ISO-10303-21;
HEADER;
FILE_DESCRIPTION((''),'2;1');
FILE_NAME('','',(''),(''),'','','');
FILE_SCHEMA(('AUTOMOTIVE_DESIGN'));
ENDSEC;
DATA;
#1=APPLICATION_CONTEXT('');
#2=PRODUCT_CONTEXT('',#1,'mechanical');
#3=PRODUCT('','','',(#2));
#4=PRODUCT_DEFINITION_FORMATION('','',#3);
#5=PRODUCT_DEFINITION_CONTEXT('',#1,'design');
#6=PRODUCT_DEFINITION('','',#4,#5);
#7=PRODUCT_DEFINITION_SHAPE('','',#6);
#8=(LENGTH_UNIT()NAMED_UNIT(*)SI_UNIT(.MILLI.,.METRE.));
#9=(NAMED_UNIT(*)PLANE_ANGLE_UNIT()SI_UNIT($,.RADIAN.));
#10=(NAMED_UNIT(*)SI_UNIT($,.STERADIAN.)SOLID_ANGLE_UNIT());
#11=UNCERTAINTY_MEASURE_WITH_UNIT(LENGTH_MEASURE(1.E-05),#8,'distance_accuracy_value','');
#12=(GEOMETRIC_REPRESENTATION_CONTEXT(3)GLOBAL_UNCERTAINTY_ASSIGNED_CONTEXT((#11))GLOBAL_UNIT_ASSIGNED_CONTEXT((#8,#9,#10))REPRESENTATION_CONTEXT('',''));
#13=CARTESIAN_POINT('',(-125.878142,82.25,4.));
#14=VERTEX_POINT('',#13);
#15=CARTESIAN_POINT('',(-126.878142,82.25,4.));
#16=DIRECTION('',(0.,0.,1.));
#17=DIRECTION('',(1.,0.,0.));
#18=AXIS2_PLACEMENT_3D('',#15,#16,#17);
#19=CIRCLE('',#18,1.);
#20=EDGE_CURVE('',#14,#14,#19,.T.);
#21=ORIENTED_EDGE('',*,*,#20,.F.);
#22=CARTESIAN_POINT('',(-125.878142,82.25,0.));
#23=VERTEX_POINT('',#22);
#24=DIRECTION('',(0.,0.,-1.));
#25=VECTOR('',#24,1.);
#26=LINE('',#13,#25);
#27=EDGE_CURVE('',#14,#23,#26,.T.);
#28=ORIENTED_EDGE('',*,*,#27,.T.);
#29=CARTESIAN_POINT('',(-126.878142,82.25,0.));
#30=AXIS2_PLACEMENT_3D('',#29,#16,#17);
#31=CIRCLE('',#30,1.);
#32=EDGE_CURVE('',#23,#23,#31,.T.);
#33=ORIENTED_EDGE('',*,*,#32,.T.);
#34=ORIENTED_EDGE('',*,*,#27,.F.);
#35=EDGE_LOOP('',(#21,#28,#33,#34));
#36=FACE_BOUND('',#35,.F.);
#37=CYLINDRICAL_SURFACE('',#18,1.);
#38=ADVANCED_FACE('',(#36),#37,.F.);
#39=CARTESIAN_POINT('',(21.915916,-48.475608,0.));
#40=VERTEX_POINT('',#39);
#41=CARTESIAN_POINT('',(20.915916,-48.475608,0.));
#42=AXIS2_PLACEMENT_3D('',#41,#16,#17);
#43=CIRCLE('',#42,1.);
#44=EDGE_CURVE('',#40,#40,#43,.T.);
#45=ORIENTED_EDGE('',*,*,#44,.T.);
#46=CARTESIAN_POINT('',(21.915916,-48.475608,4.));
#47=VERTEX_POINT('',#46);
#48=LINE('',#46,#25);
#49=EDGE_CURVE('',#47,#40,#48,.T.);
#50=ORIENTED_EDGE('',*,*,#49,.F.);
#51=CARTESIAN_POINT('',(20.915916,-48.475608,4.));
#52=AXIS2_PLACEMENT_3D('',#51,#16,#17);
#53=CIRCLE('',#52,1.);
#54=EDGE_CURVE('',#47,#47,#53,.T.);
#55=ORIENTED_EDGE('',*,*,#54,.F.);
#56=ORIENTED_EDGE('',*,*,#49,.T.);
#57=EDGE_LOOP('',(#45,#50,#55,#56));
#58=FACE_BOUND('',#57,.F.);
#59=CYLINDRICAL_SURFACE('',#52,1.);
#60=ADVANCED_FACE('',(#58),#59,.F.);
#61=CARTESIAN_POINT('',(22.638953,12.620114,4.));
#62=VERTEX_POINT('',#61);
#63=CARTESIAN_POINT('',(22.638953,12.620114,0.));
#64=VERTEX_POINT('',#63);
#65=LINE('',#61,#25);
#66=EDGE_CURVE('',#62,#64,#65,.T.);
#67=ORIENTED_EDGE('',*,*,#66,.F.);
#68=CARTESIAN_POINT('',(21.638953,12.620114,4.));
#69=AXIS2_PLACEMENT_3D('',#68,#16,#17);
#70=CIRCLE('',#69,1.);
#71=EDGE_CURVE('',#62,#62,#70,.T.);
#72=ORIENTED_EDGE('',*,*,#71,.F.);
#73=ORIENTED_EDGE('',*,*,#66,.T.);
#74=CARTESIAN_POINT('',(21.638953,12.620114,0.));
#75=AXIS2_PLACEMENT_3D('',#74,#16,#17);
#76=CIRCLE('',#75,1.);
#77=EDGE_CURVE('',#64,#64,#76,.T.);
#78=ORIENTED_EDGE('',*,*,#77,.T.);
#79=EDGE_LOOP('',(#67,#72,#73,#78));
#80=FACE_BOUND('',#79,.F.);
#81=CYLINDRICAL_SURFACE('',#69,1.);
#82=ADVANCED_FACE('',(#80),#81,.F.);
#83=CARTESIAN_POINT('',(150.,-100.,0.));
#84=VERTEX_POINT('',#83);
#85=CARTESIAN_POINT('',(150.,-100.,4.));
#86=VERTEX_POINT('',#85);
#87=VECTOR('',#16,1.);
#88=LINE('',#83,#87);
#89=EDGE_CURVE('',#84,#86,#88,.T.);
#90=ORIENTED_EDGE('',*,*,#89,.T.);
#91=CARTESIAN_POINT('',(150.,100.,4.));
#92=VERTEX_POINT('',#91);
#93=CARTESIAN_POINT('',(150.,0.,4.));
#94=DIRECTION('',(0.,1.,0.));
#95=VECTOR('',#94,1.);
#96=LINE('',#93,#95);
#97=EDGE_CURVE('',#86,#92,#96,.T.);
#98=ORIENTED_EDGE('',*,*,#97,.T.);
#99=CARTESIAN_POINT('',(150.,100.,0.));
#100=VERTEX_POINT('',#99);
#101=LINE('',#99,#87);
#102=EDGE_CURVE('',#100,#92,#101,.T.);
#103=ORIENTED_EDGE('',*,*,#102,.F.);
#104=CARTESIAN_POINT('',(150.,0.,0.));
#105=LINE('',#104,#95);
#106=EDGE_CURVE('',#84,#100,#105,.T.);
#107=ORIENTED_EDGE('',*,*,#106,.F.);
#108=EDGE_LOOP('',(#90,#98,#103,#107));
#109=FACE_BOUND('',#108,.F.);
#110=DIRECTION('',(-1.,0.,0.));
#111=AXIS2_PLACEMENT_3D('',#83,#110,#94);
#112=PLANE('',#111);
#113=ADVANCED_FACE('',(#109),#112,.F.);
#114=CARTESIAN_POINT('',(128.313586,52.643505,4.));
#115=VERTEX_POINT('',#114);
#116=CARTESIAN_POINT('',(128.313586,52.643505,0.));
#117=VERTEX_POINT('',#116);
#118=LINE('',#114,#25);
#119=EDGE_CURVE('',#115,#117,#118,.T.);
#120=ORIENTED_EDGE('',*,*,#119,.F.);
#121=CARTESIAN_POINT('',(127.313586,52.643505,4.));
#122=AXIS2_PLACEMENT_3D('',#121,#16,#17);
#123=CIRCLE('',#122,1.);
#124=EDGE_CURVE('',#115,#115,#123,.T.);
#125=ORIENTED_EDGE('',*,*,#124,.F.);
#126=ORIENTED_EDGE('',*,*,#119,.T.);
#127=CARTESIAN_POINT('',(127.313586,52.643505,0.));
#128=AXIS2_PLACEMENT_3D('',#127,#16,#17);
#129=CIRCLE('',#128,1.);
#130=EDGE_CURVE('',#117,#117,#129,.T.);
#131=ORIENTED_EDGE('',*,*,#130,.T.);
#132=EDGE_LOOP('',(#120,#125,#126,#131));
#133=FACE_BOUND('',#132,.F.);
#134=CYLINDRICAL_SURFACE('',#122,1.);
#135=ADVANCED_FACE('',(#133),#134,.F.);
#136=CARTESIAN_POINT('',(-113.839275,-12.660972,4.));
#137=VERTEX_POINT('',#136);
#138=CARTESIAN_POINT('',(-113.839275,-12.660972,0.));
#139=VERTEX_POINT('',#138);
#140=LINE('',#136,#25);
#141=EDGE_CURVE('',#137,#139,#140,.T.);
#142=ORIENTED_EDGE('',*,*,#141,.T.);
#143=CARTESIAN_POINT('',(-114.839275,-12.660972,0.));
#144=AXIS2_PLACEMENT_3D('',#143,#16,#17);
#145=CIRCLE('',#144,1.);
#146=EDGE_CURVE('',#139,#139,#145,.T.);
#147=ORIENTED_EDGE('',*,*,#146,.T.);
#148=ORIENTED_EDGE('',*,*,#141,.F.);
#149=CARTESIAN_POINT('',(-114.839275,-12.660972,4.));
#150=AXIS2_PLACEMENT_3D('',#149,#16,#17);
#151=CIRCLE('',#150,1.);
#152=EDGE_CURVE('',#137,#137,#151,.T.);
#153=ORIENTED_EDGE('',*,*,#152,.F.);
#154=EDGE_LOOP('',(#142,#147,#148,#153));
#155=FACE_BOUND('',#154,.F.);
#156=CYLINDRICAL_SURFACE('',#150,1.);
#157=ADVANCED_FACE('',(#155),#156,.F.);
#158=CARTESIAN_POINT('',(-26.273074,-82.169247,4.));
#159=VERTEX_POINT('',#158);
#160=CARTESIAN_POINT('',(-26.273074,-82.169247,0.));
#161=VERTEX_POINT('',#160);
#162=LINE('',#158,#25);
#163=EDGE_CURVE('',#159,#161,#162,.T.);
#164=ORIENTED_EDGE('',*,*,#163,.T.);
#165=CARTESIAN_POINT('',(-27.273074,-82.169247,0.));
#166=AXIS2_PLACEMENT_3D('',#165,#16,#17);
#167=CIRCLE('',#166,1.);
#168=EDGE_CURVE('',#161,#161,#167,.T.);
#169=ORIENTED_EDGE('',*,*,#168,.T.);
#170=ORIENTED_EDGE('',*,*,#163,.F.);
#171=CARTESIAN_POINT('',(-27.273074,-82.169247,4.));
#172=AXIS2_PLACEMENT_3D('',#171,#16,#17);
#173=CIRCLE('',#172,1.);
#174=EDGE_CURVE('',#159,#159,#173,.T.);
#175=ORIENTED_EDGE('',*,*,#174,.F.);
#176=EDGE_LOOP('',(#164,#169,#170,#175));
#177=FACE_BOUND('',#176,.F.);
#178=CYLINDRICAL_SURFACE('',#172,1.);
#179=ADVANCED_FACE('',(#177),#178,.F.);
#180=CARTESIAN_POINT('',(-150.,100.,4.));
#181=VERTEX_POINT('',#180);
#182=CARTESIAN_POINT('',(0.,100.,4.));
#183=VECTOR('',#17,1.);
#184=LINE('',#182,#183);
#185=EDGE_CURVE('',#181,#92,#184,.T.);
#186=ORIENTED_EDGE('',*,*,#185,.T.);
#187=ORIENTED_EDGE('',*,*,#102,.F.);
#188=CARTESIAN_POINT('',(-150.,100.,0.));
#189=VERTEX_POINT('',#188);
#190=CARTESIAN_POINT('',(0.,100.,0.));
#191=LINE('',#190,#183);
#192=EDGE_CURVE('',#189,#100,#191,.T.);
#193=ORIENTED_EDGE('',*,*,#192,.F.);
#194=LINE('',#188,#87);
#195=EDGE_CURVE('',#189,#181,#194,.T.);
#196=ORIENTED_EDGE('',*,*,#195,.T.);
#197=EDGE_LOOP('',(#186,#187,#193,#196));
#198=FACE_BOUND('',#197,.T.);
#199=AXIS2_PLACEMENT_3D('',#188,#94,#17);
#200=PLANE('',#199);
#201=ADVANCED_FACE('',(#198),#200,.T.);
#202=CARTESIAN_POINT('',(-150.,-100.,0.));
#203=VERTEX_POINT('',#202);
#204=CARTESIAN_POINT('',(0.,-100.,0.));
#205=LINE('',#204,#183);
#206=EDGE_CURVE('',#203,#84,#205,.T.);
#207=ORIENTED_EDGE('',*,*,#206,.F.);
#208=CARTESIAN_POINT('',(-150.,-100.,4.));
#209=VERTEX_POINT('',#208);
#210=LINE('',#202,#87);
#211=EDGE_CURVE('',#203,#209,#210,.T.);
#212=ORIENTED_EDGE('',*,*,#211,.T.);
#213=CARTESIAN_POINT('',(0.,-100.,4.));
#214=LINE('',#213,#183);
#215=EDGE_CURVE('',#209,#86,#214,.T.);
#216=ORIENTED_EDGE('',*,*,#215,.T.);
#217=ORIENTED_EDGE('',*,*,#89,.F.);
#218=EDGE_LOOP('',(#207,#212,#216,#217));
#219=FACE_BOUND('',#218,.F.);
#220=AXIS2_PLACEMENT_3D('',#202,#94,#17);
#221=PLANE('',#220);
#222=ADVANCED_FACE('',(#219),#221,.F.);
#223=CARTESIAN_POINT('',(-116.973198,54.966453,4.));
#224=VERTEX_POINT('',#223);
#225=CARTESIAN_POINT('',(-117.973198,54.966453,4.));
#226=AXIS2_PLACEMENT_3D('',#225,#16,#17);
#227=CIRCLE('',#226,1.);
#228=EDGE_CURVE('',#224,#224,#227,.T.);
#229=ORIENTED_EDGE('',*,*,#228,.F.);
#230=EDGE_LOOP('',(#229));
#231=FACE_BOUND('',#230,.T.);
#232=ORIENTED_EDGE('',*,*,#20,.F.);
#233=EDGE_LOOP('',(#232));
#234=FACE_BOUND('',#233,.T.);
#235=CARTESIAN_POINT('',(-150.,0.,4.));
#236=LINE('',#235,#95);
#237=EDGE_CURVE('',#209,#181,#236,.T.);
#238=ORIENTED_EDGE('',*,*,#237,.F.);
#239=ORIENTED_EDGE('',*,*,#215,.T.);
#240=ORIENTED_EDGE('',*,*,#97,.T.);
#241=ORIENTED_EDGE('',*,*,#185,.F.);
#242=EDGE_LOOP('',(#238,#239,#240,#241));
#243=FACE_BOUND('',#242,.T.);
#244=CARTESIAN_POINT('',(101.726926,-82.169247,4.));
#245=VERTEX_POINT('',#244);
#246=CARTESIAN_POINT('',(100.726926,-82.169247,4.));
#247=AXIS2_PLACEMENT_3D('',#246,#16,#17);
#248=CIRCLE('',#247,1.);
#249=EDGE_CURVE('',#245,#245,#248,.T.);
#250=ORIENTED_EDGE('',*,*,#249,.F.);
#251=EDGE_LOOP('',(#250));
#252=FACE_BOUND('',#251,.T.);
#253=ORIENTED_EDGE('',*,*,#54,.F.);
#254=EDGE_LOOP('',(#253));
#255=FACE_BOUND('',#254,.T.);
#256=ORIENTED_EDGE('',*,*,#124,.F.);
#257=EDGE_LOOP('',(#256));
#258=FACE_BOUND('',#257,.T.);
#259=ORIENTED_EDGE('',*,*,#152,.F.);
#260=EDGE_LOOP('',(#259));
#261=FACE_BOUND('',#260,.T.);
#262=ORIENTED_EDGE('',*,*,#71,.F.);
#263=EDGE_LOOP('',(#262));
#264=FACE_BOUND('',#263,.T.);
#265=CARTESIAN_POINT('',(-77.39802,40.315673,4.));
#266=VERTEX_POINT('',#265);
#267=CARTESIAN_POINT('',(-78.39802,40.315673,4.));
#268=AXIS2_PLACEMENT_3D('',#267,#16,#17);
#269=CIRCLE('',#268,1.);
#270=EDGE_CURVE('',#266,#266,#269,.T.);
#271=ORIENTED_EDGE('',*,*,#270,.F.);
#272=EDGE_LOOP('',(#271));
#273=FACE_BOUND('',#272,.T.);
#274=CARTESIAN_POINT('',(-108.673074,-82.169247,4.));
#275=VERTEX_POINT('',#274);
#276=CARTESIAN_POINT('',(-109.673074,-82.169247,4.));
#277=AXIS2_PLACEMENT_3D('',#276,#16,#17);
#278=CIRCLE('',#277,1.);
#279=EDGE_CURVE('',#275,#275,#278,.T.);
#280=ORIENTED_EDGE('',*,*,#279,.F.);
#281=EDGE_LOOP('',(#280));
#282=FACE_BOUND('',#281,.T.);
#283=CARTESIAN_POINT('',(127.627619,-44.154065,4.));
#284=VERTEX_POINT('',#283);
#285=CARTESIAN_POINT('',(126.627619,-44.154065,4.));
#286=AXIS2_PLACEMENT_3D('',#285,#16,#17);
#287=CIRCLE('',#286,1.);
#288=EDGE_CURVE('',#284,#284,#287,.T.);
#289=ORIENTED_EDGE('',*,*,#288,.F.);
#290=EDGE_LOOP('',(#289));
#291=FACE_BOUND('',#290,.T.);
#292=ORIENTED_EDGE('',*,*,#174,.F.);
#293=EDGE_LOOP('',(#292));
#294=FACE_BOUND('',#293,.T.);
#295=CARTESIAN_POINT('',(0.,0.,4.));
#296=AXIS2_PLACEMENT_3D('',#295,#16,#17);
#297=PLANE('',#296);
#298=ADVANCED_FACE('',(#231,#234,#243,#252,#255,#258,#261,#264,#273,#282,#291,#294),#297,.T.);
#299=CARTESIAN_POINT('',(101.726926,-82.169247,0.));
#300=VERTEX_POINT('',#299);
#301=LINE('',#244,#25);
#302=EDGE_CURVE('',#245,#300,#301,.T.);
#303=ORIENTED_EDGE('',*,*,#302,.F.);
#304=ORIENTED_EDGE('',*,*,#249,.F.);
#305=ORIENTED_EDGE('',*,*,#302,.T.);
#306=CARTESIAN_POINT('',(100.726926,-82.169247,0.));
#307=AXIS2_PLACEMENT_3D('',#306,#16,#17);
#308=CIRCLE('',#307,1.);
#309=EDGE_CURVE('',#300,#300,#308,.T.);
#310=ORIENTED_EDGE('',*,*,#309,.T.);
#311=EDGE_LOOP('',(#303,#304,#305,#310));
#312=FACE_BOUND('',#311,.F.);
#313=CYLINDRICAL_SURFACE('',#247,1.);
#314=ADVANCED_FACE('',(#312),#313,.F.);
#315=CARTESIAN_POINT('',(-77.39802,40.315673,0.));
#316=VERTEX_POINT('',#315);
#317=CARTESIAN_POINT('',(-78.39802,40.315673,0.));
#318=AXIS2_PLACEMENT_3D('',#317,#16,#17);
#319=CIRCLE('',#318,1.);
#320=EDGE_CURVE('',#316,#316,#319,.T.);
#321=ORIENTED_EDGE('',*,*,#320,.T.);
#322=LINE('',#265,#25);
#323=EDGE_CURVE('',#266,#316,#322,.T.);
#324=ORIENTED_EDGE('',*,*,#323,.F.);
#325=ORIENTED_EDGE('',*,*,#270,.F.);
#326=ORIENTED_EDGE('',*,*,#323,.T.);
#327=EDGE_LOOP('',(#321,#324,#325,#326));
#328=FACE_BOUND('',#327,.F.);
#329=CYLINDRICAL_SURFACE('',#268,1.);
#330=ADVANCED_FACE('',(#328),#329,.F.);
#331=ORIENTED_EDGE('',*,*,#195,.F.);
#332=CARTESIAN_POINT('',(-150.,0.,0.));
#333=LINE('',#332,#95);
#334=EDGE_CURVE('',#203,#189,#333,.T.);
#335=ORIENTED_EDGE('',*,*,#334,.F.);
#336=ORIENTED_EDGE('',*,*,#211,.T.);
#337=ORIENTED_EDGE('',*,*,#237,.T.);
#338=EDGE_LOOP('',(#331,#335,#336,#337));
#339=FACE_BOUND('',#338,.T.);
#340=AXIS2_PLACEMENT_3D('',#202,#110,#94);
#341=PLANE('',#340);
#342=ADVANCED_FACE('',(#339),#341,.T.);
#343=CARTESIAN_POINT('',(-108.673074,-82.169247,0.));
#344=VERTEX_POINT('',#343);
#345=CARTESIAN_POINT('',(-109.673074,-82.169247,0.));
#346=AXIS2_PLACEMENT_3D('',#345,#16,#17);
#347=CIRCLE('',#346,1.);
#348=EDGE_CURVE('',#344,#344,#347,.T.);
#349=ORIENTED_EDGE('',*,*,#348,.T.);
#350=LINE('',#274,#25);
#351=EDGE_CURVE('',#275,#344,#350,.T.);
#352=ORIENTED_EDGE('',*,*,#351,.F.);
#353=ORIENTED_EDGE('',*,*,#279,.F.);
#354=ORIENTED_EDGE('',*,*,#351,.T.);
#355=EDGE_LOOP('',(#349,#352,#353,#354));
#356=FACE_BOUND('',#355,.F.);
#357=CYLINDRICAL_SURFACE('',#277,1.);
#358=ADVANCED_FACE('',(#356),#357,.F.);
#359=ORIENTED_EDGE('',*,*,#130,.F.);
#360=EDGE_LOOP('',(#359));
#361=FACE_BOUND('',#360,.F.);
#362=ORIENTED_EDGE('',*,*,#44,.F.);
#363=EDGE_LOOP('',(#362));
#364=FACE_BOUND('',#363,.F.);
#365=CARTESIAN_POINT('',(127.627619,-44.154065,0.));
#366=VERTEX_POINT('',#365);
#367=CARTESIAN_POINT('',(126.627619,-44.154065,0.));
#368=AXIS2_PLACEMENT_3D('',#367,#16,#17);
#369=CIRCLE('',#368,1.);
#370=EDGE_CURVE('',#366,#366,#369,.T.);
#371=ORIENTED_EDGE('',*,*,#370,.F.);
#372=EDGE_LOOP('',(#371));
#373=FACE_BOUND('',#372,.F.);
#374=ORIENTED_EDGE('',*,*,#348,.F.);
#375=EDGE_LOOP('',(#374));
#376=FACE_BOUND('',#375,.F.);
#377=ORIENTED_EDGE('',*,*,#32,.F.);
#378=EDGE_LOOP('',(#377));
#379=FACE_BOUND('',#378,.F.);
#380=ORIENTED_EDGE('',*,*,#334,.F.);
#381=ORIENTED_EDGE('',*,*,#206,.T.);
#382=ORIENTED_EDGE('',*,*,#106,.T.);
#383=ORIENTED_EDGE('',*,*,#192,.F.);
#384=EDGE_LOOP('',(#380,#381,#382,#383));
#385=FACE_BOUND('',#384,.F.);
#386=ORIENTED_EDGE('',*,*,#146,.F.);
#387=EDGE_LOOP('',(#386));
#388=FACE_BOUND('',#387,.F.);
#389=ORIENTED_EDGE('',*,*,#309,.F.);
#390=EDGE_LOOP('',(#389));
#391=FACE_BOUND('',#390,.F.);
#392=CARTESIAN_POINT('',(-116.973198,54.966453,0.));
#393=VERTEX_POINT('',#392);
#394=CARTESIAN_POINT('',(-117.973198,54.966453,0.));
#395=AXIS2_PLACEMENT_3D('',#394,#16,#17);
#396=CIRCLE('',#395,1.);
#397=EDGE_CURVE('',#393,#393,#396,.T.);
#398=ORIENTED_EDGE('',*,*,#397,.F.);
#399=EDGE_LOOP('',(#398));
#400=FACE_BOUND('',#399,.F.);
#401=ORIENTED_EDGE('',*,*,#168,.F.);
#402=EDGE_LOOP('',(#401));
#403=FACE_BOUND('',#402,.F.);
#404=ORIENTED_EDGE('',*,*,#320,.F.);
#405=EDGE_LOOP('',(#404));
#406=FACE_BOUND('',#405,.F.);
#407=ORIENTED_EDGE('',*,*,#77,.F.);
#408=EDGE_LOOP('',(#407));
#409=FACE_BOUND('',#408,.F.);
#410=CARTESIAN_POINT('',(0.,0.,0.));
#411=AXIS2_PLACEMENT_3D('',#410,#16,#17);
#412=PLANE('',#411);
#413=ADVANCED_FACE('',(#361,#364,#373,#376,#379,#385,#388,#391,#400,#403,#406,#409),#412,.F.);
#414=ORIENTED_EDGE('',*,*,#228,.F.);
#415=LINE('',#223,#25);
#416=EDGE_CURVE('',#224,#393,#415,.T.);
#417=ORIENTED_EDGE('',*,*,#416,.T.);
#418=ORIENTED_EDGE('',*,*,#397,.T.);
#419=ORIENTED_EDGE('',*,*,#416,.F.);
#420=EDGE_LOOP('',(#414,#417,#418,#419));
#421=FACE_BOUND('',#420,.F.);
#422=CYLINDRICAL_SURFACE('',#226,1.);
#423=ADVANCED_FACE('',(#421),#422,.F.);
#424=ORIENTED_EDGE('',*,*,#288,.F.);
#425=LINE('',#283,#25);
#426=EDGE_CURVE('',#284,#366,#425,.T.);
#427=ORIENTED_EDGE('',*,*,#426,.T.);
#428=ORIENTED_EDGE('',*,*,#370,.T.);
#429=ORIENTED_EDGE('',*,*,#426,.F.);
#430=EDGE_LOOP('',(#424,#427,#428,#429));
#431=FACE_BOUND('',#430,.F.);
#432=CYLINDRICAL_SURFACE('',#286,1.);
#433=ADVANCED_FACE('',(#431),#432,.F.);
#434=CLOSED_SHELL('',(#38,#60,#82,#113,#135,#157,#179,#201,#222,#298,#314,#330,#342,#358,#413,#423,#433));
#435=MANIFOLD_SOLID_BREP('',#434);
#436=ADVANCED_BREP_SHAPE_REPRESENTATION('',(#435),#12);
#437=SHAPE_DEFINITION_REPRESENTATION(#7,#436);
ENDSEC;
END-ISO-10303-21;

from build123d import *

# Parameters (mm, degrees)
F0_W     = 300
F0_H     = 200
F1_DEPTH = 4
F2_R     = 1
F3_DEPTH = 4.001


with BuildPart() as f1:
    # F0 (on Top) → F1 (new body)
    with BuildSketch(Plane.XY):
        Rectangle(F0_W, F0_H)
    extrude(amount=F1_DEPTH)

    # F2 (on face) → F3 (cut, through all)
    with BuildSketch(Plane.XY.offset(4)):
        with Locations((-114.839275, -12.660972)):
            Circle(F2_R)
        with Locations((-109.673074, -82.169247)):
            Circle(F2_R)
        with Locations((100.726926, -82.169247)):
            Circle(F2_R)
        with Locations((-117.973198, 54.966453)):
            Circle(F2_R)
        with Locations((-78.39802, 40.315673)):
            Circle(F2_R)
        with Locations((127.313586, 52.643505)):
            Circle(F2_R)
        with Locations((21.638953, 12.620114)):
            Circle(F2_R)
        with Locations((126.627619, -44.154065)):
            Circle(F2_R)
        with Locations((20.915916, -48.475608)):
            Circle(F2_R)
        with Locations((-27.273074, -82.169247)):
            Circle(F2_R)
        with Locations((-126.878142, 82.25)):
            Circle(F2_R)
    extrude(amount=-F3_DEPTH, mode=Mode.SUBTRACT)


solid = f1.part
